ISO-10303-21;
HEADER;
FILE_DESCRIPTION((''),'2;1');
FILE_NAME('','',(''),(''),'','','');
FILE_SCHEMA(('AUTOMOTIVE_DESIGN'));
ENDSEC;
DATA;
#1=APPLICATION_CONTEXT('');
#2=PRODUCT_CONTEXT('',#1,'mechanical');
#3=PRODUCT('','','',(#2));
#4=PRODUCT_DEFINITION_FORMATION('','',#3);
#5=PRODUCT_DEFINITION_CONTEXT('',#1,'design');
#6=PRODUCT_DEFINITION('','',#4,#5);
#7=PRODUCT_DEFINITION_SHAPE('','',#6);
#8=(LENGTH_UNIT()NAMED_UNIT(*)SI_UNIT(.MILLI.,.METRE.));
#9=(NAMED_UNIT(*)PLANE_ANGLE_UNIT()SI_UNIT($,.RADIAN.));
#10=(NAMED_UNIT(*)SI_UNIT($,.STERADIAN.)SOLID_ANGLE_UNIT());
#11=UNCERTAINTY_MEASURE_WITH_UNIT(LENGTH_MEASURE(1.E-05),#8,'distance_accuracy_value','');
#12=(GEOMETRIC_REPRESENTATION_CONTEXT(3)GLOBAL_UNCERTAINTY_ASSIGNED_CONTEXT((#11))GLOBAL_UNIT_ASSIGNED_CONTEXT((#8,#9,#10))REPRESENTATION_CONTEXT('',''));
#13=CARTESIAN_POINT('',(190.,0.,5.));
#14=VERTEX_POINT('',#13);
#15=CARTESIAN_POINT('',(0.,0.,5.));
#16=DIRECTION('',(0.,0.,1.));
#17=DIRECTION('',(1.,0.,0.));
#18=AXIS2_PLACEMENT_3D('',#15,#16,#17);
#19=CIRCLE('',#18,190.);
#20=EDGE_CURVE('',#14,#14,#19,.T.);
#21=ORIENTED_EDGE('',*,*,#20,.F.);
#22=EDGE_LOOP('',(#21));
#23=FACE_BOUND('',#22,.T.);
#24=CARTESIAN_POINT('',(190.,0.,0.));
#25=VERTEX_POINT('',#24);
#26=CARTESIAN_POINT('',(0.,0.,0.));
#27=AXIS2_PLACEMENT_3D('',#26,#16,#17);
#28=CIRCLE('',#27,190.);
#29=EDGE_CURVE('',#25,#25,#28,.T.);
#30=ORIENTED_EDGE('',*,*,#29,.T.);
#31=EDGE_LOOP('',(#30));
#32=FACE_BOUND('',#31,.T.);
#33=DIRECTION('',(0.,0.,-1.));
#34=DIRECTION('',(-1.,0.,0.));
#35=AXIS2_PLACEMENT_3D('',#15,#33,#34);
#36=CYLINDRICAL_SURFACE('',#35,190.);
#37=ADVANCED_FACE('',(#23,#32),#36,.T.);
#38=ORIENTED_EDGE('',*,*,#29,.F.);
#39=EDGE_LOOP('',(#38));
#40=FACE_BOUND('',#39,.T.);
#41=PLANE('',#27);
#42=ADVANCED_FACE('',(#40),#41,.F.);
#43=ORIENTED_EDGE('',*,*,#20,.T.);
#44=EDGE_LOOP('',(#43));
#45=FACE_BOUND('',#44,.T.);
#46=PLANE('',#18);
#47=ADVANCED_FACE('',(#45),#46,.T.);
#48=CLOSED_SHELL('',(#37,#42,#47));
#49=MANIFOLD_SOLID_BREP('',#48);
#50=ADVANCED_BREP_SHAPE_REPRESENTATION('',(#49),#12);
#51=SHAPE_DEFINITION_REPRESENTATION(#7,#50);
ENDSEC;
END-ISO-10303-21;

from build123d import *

# Parameters (mm, degrees)
ESQUISSE1_R        = 190
BOSS_EXTRU_1_DEPTH = 5


with BuildPart() as part:
    # Esquisse1 → Boss.-Extru.1 (new body)
    with BuildSketch(Plane.XY):
        Circle(ESQUISSE1_R)
    extrude(amount=BOSS_EXTRU_1_DEPTH)


solid = part.part
